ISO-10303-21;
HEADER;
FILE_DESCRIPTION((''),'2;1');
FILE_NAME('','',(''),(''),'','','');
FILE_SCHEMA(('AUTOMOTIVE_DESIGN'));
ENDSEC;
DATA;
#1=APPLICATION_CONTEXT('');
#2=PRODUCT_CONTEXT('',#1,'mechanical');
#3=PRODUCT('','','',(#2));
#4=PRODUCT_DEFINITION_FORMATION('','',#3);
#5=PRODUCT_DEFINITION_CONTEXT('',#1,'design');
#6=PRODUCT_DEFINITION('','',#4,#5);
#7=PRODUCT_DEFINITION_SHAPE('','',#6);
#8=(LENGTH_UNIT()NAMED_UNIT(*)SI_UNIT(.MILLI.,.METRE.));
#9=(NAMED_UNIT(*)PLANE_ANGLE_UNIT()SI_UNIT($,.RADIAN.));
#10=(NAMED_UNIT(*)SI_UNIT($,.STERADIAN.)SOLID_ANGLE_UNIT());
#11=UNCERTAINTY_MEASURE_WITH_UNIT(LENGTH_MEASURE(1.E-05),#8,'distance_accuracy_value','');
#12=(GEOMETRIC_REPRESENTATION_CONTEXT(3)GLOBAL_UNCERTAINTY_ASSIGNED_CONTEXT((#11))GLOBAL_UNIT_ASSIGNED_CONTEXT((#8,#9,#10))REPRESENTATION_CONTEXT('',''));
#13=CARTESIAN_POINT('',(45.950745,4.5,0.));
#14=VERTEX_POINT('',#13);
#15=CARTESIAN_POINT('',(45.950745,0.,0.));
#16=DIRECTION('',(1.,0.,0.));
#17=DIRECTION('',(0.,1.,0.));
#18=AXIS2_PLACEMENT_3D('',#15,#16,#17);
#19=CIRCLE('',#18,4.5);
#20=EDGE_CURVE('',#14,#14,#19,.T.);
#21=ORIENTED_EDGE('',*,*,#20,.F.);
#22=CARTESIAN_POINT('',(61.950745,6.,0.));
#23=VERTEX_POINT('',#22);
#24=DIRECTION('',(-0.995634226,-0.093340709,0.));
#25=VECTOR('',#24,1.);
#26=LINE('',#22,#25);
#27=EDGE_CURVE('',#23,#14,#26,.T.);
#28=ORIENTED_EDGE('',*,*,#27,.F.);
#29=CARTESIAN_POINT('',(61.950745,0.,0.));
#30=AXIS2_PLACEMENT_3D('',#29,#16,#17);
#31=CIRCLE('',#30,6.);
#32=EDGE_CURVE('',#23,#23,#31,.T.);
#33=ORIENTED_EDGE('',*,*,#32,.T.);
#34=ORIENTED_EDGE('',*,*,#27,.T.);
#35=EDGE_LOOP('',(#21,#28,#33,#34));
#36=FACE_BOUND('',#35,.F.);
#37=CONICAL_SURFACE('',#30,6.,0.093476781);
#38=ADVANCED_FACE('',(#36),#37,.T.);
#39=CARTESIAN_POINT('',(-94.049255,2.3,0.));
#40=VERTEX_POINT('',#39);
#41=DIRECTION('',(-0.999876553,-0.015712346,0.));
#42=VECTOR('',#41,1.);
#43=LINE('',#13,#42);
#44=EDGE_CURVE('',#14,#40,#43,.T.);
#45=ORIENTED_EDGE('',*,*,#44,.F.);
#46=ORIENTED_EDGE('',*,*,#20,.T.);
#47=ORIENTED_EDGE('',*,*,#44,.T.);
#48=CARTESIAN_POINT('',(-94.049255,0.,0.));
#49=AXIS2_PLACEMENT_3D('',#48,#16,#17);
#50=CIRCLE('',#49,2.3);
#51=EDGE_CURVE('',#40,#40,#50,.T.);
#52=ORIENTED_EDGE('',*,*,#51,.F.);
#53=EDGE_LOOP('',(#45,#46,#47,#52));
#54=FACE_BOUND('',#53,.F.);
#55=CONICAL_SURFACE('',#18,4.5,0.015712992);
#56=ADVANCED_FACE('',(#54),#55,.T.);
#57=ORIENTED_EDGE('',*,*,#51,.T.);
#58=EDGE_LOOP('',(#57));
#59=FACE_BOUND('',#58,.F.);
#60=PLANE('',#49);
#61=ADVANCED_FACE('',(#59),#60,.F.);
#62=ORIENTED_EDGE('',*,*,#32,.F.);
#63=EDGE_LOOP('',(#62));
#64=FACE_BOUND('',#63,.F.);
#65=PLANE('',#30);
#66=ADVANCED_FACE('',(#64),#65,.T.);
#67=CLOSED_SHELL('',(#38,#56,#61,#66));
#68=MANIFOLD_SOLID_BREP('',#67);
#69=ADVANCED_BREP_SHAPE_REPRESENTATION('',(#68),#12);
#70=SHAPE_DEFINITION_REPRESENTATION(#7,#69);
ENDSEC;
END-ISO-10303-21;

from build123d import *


with BuildPart() as f1:
    # F0 (on Top) → F1 (revolve)
    with BuildSketch(Plane.XY):
        Polygon((-94.049255, 2.3), (-94.049255, 0), (45.950745, 0), (45.950745, 4.5), align=None)
        Polygon((45.950745, 4.5), (45.950745, 0), (61.950745, 0), (61.950745, 6), align=None)
    revolve(axis=Axis((-7.657569, 0, 0), (1, 0, 0)))


solid = f1.part
